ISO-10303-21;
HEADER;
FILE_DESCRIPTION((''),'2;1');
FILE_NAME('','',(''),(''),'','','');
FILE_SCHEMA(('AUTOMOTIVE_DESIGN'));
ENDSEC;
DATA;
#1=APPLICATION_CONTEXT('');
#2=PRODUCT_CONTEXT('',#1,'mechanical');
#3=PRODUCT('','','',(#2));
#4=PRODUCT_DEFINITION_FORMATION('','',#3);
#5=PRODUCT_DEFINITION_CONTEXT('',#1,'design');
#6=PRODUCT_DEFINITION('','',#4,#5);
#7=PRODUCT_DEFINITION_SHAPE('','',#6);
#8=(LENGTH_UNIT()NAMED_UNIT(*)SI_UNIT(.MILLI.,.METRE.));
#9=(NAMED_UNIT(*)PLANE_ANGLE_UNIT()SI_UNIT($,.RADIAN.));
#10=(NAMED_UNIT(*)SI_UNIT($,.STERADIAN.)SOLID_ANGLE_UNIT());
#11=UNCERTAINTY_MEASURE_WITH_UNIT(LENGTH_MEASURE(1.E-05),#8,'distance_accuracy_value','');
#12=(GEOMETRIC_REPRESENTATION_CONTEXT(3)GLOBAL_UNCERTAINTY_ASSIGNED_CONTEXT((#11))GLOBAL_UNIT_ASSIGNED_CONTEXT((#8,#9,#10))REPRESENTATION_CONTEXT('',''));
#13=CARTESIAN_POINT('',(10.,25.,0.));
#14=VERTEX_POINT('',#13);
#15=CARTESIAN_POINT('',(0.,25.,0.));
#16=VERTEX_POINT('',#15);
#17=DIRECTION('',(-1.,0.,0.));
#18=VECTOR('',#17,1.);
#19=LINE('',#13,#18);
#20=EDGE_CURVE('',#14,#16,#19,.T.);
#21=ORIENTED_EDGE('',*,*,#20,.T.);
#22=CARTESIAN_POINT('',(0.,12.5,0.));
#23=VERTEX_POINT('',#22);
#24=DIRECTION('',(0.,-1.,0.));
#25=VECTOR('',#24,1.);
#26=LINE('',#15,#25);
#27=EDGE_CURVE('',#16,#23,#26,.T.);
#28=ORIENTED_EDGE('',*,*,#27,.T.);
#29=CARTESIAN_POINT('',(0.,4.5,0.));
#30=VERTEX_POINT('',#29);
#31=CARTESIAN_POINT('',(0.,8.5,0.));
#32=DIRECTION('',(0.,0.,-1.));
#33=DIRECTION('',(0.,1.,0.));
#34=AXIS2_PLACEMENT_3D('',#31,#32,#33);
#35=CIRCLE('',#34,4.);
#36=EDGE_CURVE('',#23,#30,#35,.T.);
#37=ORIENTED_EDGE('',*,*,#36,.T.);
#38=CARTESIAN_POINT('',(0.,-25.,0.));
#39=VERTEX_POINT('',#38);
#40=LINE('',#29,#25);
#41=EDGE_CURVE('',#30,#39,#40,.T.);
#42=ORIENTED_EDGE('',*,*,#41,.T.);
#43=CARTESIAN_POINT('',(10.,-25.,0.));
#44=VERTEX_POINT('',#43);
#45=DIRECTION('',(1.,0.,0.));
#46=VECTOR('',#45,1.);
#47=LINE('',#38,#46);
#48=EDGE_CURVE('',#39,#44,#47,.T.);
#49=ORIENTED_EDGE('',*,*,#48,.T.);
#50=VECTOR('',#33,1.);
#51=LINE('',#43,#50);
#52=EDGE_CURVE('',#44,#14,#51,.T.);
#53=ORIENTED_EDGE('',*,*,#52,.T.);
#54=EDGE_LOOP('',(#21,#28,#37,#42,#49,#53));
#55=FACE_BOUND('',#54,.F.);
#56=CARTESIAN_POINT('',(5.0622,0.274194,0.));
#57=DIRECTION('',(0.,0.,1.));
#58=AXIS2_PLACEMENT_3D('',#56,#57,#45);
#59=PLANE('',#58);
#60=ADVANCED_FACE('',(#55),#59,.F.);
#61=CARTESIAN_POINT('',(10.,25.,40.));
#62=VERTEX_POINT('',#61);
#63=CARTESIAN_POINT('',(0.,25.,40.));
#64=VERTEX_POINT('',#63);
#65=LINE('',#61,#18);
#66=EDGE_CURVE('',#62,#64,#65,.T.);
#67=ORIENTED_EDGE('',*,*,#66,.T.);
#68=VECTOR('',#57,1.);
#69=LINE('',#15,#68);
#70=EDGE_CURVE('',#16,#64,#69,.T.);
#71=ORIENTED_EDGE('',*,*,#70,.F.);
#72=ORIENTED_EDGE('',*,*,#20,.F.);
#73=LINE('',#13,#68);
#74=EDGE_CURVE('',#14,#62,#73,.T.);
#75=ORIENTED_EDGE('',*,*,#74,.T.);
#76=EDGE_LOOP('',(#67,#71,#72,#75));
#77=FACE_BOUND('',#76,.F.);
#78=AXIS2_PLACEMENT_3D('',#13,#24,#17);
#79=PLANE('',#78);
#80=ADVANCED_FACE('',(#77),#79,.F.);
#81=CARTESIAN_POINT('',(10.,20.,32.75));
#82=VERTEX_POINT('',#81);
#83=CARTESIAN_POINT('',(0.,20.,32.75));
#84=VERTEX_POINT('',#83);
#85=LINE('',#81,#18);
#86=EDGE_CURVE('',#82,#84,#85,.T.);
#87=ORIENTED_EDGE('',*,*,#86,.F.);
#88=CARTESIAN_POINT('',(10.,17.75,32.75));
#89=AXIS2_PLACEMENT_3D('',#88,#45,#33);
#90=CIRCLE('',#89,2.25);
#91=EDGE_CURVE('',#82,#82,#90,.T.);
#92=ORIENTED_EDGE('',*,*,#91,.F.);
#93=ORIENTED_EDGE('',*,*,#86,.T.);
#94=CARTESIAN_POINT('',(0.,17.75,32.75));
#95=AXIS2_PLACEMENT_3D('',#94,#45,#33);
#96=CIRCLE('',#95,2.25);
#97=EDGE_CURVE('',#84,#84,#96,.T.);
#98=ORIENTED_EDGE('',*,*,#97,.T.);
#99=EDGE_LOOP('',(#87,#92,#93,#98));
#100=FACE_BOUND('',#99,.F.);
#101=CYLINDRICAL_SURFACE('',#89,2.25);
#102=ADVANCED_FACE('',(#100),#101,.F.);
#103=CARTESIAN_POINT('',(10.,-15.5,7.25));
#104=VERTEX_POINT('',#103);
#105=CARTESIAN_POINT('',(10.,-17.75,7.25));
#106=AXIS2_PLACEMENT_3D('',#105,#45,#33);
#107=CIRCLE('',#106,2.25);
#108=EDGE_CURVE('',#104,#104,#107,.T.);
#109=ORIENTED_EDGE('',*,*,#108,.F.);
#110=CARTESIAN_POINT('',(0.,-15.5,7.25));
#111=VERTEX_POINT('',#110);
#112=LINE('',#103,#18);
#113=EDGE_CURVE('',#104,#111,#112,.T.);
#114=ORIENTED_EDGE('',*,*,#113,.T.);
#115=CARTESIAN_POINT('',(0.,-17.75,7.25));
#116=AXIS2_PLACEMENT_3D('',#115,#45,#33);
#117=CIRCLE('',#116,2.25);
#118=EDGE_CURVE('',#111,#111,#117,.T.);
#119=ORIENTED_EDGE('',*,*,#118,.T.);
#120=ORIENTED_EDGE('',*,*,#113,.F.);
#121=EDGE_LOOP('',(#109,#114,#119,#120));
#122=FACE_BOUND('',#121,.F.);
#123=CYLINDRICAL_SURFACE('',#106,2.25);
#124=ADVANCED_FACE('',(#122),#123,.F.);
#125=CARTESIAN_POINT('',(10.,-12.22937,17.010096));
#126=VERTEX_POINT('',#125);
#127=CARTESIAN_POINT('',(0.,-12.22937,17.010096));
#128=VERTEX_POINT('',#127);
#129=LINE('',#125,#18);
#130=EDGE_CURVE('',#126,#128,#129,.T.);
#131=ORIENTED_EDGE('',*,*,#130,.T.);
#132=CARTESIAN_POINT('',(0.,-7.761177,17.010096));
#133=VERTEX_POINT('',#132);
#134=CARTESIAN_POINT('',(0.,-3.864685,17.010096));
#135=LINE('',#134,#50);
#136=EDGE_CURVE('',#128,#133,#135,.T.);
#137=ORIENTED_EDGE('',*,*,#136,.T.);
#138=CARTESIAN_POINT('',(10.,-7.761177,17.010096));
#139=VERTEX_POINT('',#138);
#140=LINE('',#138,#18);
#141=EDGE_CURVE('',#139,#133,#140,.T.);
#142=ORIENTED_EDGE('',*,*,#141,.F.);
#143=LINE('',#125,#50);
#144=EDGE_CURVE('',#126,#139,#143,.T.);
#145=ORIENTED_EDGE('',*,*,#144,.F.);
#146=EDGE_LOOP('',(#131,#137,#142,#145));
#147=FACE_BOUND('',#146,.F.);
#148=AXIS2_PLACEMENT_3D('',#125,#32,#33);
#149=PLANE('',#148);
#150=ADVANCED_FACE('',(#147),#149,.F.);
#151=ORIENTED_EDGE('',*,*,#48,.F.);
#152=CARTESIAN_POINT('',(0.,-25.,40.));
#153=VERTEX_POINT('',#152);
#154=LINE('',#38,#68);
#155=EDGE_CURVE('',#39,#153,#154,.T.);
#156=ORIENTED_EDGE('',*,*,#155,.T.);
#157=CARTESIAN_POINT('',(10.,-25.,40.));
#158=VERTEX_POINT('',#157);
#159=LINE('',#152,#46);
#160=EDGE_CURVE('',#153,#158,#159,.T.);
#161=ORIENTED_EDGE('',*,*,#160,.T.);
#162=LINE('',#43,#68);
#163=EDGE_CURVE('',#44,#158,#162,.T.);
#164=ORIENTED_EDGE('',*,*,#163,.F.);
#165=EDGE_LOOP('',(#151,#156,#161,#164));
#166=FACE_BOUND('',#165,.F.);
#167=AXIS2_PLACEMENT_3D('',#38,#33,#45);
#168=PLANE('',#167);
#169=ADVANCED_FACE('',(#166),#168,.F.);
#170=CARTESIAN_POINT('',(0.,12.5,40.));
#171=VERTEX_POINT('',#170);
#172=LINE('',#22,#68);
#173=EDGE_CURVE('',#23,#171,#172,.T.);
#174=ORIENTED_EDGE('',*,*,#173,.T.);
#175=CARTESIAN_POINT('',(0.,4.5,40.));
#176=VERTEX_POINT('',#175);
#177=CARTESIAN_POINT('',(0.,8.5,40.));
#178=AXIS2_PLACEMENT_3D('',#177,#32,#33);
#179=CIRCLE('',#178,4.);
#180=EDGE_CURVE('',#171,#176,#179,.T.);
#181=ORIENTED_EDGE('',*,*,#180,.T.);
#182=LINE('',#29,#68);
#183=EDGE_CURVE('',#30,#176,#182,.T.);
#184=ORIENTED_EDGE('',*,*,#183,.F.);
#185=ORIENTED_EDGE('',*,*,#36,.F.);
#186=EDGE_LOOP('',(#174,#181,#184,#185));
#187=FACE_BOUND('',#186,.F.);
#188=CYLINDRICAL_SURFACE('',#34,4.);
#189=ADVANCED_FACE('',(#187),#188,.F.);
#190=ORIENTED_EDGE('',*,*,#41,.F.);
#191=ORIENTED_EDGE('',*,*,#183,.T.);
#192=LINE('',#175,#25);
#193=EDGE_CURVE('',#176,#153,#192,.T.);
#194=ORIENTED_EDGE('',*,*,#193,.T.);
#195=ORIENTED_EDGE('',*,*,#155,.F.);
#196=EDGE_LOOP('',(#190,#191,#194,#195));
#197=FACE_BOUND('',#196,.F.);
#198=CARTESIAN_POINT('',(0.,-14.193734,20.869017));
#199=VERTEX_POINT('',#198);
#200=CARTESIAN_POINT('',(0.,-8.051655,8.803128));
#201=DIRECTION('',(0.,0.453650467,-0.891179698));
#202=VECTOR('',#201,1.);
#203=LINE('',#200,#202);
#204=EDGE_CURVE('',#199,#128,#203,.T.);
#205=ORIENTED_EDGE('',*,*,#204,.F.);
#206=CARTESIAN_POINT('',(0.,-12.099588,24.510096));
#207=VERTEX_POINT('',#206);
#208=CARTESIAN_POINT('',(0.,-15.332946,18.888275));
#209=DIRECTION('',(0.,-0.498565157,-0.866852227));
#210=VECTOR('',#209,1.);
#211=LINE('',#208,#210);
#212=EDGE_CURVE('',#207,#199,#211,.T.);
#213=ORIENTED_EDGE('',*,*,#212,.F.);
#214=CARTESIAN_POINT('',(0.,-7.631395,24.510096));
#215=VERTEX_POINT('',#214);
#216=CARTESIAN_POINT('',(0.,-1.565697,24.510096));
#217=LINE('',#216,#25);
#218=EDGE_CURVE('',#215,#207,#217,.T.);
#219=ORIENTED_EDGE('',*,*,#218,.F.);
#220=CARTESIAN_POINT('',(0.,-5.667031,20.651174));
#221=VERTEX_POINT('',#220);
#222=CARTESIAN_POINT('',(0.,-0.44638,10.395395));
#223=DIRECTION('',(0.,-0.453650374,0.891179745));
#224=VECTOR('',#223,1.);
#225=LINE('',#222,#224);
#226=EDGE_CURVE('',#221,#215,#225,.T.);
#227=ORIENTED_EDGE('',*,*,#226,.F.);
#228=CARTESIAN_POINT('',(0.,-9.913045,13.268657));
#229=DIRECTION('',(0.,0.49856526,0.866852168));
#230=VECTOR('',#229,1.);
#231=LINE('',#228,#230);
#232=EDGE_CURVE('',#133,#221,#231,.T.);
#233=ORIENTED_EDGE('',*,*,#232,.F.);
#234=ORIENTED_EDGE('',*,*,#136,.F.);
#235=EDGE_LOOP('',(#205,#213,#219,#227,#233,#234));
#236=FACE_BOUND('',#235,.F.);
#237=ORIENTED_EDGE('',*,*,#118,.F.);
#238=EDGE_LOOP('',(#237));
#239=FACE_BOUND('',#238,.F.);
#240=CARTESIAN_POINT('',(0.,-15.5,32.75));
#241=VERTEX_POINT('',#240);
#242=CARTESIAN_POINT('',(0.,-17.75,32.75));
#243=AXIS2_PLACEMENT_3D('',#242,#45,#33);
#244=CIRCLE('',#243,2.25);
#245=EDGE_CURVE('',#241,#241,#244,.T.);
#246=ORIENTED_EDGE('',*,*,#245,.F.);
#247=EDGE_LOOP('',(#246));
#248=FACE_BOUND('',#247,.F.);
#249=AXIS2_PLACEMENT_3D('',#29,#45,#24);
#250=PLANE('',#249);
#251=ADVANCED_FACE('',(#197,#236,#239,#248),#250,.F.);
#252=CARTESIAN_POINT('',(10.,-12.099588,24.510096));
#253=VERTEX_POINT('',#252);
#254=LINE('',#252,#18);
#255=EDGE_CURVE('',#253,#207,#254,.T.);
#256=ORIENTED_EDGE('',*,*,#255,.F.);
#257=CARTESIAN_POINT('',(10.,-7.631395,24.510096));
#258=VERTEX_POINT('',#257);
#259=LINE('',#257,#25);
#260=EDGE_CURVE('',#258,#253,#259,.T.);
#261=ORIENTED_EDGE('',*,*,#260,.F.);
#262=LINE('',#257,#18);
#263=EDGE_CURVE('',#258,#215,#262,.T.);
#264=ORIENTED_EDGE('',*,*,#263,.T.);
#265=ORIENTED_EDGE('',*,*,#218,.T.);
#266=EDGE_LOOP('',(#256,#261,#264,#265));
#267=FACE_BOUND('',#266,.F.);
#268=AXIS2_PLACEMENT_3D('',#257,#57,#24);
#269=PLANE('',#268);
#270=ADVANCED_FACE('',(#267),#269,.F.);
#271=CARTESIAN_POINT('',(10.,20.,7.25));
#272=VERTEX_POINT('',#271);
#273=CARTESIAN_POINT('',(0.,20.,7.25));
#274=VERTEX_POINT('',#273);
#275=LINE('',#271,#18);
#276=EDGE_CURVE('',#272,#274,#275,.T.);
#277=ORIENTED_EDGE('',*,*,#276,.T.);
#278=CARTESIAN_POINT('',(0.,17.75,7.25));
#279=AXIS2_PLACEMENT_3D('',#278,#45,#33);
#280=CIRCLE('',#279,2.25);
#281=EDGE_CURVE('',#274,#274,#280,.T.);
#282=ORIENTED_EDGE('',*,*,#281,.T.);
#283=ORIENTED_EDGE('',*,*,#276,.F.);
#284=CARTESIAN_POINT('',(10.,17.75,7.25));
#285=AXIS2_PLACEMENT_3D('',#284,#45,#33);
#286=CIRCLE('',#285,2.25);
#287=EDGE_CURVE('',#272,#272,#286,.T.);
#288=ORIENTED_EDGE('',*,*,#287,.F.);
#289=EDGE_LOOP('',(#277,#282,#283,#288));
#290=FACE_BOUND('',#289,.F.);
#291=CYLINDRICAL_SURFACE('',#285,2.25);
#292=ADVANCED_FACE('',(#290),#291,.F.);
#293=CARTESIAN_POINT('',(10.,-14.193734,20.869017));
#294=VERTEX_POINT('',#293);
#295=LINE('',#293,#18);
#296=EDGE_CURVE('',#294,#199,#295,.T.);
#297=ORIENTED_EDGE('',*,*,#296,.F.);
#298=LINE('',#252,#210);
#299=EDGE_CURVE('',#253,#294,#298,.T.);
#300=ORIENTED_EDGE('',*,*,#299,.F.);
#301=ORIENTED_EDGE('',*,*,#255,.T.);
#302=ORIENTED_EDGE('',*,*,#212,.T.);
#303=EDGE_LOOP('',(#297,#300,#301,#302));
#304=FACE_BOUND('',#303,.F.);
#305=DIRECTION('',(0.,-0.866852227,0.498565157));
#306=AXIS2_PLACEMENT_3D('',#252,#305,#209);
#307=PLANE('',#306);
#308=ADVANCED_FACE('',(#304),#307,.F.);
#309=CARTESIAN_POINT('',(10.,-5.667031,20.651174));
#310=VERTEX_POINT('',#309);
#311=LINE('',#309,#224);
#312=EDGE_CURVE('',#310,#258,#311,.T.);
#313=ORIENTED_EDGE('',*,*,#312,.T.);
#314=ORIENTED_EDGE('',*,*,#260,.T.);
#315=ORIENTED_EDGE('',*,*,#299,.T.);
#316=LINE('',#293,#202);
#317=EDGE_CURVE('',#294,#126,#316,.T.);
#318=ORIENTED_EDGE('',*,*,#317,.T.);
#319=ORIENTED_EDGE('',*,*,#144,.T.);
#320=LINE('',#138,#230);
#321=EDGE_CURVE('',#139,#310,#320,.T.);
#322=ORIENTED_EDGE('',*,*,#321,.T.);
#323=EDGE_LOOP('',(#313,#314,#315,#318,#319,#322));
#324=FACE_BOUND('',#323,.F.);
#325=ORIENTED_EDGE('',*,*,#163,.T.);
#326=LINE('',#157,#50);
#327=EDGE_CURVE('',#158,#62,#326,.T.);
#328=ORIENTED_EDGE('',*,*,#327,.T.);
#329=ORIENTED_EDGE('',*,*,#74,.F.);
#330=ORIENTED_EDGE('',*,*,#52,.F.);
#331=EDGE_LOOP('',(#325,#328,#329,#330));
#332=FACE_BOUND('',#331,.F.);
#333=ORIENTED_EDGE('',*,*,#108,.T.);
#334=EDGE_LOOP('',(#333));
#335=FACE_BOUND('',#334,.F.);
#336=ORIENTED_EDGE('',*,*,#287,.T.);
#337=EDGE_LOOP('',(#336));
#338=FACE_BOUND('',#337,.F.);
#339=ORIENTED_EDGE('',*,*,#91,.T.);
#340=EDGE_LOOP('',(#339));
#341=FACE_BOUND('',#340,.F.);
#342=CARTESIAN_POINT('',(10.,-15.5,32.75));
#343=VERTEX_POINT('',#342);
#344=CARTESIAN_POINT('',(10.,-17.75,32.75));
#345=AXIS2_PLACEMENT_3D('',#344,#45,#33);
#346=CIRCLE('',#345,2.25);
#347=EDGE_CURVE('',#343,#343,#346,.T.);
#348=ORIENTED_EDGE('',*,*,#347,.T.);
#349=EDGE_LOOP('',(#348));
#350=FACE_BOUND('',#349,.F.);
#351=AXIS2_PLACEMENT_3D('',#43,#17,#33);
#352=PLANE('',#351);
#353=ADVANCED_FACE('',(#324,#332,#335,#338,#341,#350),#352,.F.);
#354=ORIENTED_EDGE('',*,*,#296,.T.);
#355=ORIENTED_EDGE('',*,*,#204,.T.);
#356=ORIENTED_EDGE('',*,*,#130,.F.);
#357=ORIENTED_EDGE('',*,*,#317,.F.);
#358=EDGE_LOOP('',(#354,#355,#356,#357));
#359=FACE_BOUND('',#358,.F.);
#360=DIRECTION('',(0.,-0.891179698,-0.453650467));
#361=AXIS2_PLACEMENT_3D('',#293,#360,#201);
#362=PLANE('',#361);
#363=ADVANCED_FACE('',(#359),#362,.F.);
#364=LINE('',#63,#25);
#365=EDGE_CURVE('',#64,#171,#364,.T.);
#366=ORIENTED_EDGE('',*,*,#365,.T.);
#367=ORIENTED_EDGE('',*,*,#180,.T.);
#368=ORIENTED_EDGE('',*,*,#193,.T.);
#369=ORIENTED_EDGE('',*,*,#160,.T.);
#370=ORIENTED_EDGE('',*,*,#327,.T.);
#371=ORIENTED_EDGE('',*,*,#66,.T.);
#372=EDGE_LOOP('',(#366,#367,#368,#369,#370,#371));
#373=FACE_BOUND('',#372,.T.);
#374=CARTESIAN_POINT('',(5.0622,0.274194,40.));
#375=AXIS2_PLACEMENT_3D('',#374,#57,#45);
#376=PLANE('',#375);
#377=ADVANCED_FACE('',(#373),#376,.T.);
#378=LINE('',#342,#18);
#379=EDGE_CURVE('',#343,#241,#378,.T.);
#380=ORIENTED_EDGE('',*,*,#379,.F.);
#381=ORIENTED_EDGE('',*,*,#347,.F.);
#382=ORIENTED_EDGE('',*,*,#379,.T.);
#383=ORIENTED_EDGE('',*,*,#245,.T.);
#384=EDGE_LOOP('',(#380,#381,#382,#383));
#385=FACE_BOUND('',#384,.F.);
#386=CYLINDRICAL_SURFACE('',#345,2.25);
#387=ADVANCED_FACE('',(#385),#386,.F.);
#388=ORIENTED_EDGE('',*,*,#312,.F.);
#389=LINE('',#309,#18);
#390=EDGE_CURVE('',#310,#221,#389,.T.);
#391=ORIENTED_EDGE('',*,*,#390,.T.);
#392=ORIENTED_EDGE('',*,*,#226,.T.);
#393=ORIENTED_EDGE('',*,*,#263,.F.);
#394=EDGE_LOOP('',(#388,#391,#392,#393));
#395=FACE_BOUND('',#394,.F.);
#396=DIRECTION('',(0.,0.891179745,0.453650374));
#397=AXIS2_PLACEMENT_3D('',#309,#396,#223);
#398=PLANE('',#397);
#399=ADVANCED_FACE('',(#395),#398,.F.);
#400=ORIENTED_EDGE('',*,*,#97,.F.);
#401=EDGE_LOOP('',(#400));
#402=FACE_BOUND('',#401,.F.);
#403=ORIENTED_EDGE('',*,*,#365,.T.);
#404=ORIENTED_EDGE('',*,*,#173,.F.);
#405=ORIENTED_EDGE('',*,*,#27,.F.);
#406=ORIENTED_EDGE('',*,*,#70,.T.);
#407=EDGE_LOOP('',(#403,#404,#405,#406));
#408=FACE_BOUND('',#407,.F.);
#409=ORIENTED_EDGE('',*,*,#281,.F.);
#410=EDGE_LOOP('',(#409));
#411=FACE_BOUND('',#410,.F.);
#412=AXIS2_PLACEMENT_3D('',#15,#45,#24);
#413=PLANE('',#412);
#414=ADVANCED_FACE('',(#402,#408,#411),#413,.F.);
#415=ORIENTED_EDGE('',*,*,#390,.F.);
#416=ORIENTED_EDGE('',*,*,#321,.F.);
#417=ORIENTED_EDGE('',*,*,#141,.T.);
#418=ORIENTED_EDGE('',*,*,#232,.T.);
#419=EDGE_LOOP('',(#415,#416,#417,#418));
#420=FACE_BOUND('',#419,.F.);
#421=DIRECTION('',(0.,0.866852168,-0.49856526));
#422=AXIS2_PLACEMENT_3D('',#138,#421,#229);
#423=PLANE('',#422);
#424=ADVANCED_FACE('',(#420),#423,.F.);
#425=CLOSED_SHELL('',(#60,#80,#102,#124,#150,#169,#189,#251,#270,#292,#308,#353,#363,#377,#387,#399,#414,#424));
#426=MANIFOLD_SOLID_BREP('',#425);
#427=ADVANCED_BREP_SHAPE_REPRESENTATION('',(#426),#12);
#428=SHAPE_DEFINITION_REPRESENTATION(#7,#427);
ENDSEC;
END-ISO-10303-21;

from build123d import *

# Parameters (mm, degrees)
F1_DEPTH = 40
F2_R     = 2.25
F3_DEPTH = 10.001


with BuildPart() as f1:
    # F0 (on Top) → F1 (new body)
    with BuildSketch(Plane.XY):
        with BuildLine():
            Line((0, -25), (10, -25))
            Line((10, -25), (10, 25))
            Line((10, 25), (0, 25))
            Line((0, 25), (0, 12.5))
            ThreePointArc((0, 12.5), (4, 8.5), (0, 4.5))
            Line((0, 4.5), (0, -25))
        make_face()
    extrude(amount=F1_DEPTH)

    # F2 (on face) → F3 (cut, through all)
    with BuildSketch(Plane.YZ.offset(10)):
        with Locations((-17.75, 32.75)):
            Circle(F2_R)
        with Locations((17.75, 32.75)):
            Circle(F2_R)
        with Locations((17.75, 7.25)):
            Circle(F2_R)
        with Locations((-17.75, 7.25)):
            Circle(F2_R)
        Polygon((-5.667031, 20.651174), (-7.631395, 24.510096), (-12.099588, 24.510096), (-14.193734, 20.869017), (-12.22937, 17.010096), (-7.761177, 17.010096), align=None)
    extrude(amount=-F3_DEPTH, mode=Mode.SUBTRACT)


solid = f1.part
